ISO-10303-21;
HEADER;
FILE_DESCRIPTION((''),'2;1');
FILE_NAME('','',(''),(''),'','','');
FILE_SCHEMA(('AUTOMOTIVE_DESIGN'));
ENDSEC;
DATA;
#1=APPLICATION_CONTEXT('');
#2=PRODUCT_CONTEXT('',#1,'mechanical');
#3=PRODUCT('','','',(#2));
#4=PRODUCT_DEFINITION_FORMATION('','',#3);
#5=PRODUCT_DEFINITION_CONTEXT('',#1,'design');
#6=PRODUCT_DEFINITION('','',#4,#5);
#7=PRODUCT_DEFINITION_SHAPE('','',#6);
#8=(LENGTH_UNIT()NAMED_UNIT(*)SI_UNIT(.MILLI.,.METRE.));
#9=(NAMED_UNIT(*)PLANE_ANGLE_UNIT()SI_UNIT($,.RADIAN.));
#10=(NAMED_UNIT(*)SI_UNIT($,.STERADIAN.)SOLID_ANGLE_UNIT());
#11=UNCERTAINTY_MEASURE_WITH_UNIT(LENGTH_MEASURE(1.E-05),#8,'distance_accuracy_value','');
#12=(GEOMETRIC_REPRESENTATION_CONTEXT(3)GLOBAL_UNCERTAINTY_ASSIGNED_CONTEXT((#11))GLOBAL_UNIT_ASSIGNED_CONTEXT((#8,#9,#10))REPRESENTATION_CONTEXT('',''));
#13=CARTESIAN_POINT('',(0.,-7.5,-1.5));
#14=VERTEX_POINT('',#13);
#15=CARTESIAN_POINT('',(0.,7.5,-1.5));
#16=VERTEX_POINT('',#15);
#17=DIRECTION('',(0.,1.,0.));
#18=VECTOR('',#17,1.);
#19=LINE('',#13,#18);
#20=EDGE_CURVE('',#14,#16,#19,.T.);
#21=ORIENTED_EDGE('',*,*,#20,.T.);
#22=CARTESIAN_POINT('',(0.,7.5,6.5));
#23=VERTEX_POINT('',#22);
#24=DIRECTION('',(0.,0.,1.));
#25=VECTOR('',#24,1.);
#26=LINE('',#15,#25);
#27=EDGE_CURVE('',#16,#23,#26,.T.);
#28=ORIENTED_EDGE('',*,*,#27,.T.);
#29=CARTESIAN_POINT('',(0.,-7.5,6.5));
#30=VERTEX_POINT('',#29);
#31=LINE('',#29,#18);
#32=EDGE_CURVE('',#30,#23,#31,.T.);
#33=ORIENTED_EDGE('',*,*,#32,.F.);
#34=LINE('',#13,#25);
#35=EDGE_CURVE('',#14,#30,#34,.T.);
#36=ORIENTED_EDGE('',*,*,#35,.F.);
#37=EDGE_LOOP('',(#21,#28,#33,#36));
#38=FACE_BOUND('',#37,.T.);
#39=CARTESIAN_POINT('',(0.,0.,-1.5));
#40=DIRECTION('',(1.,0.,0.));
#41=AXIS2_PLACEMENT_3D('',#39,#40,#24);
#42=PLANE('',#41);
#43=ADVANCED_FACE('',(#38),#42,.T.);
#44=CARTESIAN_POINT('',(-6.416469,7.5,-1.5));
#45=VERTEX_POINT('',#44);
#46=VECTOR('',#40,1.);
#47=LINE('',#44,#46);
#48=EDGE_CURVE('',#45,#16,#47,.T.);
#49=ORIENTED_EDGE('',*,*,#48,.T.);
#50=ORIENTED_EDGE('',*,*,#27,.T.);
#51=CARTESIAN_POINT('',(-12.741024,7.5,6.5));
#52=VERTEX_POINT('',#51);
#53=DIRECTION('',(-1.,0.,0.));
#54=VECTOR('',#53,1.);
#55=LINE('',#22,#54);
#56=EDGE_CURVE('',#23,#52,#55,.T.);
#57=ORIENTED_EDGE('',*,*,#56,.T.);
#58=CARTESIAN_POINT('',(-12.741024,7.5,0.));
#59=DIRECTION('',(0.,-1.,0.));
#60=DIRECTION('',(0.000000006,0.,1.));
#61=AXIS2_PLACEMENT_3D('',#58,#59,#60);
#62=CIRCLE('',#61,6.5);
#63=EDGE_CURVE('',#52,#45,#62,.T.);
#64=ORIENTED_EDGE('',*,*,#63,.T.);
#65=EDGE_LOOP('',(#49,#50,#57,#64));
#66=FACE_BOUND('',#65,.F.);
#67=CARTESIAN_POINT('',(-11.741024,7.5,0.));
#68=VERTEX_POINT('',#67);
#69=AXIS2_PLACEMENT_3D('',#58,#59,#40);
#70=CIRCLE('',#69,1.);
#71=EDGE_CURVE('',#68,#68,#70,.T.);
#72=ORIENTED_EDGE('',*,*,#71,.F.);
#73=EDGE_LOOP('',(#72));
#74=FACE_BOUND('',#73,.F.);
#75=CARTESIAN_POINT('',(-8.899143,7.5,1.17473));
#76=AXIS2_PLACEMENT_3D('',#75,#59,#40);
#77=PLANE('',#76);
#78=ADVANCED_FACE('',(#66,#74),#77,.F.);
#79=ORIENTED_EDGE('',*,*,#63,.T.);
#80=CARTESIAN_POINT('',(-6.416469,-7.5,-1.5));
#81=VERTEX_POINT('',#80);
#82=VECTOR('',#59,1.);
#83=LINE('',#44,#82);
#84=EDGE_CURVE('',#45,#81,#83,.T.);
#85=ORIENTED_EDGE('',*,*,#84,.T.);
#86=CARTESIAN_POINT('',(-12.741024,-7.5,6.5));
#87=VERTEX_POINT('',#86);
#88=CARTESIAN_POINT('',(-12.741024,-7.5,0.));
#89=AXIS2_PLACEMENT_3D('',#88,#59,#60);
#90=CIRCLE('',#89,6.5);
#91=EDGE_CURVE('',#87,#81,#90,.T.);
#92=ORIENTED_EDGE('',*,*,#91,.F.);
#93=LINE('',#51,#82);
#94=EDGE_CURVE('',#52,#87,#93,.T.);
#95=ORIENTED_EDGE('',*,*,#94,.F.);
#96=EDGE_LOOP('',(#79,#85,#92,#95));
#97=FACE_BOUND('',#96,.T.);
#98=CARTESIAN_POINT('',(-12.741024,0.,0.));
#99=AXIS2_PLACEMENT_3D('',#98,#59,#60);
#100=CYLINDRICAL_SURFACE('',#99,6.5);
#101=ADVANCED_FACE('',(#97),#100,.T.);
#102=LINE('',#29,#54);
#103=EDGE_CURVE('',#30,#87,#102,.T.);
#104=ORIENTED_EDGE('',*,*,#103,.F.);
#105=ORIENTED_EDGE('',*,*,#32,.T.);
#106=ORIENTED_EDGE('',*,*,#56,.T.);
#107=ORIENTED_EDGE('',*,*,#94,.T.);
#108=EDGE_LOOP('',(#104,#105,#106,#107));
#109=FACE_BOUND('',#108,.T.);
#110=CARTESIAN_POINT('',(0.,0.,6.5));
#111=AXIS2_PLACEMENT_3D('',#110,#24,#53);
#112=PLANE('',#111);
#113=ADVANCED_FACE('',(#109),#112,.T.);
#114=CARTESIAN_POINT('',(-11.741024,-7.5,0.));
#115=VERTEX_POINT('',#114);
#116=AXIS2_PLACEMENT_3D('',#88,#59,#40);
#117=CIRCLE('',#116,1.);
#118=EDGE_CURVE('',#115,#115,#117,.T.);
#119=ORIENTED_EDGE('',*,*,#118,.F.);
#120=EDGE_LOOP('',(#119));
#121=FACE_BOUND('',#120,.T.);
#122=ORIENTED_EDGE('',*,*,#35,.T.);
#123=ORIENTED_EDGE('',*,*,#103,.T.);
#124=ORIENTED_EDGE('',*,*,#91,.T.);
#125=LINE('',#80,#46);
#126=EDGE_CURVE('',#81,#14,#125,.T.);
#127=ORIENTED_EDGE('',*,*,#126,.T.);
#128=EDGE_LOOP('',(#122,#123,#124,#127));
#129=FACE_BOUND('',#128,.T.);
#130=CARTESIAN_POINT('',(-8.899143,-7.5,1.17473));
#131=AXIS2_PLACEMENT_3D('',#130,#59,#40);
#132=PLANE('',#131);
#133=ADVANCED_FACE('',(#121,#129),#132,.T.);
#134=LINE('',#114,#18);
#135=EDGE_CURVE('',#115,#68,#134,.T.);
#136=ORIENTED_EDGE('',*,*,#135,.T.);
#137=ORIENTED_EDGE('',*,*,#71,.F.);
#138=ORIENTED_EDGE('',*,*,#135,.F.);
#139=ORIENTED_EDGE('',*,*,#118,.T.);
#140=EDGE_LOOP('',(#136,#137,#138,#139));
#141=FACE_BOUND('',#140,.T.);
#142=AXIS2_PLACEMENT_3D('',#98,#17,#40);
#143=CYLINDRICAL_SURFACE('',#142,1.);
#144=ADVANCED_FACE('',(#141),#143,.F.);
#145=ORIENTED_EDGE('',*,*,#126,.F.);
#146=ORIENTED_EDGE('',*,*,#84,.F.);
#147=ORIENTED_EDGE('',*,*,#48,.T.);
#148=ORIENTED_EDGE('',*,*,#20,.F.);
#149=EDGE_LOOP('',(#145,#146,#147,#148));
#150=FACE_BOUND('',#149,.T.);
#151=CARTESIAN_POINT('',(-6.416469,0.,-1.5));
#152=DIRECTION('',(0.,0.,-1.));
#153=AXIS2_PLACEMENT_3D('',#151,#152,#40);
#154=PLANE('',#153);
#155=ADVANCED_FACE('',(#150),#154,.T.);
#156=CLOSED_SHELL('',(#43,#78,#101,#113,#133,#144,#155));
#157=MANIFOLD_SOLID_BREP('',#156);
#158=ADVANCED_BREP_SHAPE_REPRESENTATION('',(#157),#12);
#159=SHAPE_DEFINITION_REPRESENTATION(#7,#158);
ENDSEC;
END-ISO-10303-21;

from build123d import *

# Parameters (mm, degrees)
F0_R     = 1
F1_DEPTH = 7.5


with BuildPart() as f1:
    # F0 (on Front) → F1 (new body, symmetric)
    with BuildSketch(Plane.XZ):
        with BuildLine():
            Line((0, 6.5), (-12.741024, 6.5))
            ThreePointArc((-12.741024, 6.5), (-17.840043, -4.031129), (-6.416469, -1.5))
            Line((-6.416469, -1.5), (0, -1.5))
            Line((0, -1.5), (0, 6.5))
        make_face()
        with Locations((-12.741024, 0)):
            Circle(F0_R, mode=Mode.SUBTRACT)
    extrude(amount=F1_DEPTH, both=True)


solid = f1.part
